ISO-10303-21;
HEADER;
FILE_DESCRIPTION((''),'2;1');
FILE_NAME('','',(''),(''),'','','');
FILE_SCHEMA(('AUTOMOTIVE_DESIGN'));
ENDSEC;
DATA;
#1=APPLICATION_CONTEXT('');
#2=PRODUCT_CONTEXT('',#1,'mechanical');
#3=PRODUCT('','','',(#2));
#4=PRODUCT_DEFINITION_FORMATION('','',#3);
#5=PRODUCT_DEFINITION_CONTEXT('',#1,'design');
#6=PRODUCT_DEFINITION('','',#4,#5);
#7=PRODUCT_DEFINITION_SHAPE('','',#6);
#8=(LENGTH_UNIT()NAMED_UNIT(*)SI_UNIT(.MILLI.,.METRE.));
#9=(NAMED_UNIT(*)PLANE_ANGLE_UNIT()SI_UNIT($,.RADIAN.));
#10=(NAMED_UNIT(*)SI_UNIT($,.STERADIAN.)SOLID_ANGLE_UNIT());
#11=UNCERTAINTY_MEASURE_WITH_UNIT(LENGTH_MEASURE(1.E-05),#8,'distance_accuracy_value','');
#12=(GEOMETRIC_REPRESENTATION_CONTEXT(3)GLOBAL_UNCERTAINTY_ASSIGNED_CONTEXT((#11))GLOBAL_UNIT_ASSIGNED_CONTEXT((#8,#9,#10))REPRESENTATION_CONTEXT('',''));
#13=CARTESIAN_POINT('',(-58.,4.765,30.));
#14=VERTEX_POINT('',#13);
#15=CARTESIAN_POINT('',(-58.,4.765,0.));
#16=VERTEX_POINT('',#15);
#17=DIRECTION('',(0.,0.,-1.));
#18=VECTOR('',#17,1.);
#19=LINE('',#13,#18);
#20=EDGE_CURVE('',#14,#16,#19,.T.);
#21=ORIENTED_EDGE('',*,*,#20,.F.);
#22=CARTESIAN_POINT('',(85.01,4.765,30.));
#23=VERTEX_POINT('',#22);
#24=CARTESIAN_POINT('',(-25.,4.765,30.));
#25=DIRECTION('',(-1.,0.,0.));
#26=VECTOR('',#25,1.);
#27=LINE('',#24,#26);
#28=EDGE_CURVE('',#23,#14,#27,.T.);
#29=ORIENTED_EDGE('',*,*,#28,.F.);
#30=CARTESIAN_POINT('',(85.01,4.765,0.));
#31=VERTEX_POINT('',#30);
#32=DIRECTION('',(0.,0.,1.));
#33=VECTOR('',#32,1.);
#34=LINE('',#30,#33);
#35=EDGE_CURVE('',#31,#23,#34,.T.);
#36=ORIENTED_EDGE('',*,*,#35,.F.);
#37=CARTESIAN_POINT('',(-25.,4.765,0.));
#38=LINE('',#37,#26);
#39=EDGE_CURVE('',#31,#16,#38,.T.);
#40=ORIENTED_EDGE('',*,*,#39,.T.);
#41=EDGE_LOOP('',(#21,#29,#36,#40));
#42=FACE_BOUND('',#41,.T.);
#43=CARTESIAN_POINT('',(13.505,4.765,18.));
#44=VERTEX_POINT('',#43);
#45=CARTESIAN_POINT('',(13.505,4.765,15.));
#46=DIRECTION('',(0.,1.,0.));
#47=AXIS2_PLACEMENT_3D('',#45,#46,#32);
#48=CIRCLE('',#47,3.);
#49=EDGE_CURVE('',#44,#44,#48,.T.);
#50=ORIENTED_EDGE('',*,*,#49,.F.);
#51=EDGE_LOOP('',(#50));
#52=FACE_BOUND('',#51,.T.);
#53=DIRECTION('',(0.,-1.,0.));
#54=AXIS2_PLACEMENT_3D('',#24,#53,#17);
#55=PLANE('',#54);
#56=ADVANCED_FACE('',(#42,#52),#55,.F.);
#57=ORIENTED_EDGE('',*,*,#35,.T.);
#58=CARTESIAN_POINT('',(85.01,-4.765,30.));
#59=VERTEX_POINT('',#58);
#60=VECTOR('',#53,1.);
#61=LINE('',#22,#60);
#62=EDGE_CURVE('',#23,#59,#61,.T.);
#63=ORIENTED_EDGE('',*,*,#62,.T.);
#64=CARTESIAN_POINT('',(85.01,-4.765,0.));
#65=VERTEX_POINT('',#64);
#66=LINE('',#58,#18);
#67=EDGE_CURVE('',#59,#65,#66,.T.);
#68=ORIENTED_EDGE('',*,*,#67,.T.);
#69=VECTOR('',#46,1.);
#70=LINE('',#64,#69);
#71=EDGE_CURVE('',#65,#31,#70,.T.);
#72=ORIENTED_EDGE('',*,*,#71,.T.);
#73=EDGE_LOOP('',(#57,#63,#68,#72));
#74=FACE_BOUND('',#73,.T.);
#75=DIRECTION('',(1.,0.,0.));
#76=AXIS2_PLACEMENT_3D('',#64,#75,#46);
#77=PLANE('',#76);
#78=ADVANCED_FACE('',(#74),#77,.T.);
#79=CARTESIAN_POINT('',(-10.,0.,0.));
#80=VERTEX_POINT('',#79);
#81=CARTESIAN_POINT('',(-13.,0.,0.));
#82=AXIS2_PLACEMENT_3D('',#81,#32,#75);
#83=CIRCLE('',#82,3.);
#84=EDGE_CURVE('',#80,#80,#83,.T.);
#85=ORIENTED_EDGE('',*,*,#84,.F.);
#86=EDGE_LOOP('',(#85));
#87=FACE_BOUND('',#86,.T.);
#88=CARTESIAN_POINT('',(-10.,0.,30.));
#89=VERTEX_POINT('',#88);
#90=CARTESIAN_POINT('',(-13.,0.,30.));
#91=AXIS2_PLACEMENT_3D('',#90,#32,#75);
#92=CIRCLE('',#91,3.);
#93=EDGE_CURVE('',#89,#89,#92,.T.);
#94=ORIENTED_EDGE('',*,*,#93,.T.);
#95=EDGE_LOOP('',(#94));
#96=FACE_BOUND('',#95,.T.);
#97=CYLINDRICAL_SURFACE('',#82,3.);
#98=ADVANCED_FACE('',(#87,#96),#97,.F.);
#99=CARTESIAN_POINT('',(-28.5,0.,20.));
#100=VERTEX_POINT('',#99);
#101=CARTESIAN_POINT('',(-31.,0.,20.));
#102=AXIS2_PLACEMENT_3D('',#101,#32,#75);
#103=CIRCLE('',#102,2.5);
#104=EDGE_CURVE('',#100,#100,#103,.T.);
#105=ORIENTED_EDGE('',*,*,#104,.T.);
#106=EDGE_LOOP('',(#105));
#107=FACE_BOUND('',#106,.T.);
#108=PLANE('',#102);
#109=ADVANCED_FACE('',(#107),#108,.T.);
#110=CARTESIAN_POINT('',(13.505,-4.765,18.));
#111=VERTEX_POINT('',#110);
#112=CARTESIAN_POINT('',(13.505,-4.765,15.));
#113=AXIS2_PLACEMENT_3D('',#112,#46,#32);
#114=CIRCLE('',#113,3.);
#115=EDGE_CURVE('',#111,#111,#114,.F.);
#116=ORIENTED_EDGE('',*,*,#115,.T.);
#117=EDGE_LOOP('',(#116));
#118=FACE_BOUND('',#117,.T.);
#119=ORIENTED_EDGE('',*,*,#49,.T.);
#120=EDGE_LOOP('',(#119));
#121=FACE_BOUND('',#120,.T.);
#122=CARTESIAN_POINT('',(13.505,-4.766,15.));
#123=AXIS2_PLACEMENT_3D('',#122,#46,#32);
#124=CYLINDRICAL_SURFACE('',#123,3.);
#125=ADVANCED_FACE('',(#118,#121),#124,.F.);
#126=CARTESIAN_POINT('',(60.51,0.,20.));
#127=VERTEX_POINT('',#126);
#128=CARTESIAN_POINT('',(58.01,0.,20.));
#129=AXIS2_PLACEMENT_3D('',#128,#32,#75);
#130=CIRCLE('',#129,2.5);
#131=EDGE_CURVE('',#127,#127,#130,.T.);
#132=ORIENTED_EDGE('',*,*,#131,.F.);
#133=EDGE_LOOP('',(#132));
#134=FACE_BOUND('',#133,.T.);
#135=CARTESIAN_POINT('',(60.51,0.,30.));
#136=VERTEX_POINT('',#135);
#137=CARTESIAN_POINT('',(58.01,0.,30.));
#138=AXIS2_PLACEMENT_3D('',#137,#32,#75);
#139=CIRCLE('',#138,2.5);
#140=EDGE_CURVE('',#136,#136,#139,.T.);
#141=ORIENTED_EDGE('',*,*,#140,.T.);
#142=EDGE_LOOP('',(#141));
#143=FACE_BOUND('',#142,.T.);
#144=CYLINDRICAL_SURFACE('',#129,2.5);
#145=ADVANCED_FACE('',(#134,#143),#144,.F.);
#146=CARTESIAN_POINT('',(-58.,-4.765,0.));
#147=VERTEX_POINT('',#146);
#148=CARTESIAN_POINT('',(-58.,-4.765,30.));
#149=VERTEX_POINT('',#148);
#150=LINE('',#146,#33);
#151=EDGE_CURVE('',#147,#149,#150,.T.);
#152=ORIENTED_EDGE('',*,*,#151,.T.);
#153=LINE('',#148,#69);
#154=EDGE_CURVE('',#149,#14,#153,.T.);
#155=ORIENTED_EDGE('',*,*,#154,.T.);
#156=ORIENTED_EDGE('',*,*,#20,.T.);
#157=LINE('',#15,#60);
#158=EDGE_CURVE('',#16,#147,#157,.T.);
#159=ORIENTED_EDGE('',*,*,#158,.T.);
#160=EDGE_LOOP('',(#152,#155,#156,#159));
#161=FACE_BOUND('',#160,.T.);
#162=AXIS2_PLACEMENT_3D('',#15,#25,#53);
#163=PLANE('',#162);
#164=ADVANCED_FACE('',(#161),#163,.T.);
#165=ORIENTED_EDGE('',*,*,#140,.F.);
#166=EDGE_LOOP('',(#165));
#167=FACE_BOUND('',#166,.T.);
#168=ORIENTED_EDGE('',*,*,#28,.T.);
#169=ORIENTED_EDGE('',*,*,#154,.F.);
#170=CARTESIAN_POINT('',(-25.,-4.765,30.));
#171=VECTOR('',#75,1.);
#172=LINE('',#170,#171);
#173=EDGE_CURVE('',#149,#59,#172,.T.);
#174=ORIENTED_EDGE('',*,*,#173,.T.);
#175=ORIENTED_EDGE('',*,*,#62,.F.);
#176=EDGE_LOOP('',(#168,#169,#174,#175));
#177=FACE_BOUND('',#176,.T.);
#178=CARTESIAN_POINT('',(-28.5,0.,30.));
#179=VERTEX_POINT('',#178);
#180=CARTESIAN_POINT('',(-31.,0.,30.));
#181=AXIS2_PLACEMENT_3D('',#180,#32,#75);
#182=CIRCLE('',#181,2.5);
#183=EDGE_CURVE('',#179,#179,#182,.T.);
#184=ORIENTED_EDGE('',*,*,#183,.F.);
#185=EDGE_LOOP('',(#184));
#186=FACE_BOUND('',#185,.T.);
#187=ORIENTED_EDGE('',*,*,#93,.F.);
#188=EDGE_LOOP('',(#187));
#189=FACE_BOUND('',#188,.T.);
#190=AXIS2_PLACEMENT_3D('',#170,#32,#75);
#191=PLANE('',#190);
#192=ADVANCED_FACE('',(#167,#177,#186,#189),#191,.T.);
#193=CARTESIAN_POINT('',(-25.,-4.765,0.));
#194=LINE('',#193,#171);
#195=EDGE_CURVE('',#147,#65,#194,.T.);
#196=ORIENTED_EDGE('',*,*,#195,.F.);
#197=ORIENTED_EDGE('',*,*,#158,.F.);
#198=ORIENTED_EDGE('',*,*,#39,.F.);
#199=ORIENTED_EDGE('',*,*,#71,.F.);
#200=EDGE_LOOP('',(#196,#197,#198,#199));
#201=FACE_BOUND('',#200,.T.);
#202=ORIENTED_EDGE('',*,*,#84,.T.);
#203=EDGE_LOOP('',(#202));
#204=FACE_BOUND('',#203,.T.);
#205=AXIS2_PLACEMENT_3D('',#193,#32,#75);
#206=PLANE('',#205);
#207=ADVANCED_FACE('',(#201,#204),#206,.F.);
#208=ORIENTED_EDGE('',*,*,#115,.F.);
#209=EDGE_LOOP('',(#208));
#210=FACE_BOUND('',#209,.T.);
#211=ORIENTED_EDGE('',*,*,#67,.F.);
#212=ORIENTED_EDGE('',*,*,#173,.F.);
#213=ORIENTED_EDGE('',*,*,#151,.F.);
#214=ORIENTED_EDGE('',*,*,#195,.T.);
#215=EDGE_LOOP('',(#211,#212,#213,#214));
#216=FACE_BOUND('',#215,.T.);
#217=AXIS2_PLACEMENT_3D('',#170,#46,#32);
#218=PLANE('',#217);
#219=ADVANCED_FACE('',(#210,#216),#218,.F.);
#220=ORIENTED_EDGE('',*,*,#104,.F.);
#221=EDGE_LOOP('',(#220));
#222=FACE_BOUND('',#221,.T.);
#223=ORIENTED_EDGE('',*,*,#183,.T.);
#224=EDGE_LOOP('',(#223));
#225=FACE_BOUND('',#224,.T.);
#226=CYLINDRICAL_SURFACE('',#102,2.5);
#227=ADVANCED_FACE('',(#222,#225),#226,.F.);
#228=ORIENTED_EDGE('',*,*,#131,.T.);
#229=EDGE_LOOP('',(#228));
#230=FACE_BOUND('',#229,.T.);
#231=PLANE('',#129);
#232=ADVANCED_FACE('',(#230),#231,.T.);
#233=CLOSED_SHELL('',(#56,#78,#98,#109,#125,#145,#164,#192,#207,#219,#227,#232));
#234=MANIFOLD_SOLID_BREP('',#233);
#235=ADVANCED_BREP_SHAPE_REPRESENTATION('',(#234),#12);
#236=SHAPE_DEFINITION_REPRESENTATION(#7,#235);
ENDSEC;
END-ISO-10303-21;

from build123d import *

# Parameters (mm, degrees)
ESBO_O1_W                = 50
ESBO_O1_H                = 9.53
RESSALTO_EXTRUS_O1_DEPTH = 30
ESBO_O2_R                = 3
CORTE_EXTRUS_O1_DEPTH    = 40.340884904
ESBO_O4_W                = 30
ESBO_O4_H                = 9.53
RESSALTO_EXTRUS_O3_DEPTH = 60.01
ESBO_O5_W                = 30
ESBO_O5_H                = 9.53
RESSALTO_EXTRUS_O4_DEPTH = 33
ESBO_O6_R                = 2.5
CORTE_EXTRUS_O2_DEPTH    = 10
CORTE_EXTRUS_O3_REACH    = 92.651
ESBO_O7_R                = 3


with BuildPart() as part:
    # Esboço1 → Ressalto-extrusão1 (new body)
    with BuildSketch(Plane.XY):
        Rectangle(ESBO_O1_W, ESBO_O1_H)
    extrude(amount=RESSALTO_EXTRUS_O1_DEPTH)

    # Esboço2 → Corte-extrusão1 (cut, through all)
    with BuildSketch(Plane.XY.offset(30)):
        with Locations((-13, 0)):
            Circle(ESBO_O2_R)
    extrude(amount=-CORTE_EXTRUS_O1_DEPTH, mode=Mode.SUBTRACT)

    # Esboço4 → Ressalto-extrusão3 (add)
    with BuildSketch(Plane(origin=(25, 0, 0), x_dir=(0, 0, -1), z_dir=(1, 0, 0))):
        with Locations((-15, 0)):
            Rectangle(ESBO_O4_W, ESBO_O4_H)
    extrude(amount=RESSALTO_EXTRUS_O3_DEPTH)

    # Esboço5 → Ressalto-extrusão4 (add)
    with BuildSketch(Plane.ZY.offset(25)):
        with Locations((15, 0)):
            Rectangle(ESBO_O5_W, ESBO_O5_H)
    extrude(amount=RESSALTO_EXTRUS_O4_DEPTH)

    # Esboço6 → Corte-extrusão2 (cut)
    with BuildSketch(Plane.XY.offset(30)):
        with Locations((-31, 0)):
            Circle(ESBO_O6_R)
        with Locations((58.01, 0)):
            Circle(ESBO_O6_R)
    extrude(amount=-CORTE_EXTRUS_O2_DEPTH, mode=Mode.SUBTRACT)

    # Esboço7 → Corte-extrusão3 (cut, up to next)
    with BuildSketch(Plane(origin=(0, 4.765, 0), x_dir=(1, 0, 0), z_dir=(0, 1, 0)), mode=Mode.PRIVATE) as corte_extrus_o3_sk1:
        with Locations(Location((13.505, -15, 0), (0, 0, 270))):
            Circle(ESBO_O7_R)
    corte_extrus_o3_tool1 = extrude(corte_extrus_o3_sk1.sketch, amount=-CORTE_EXTRUS_O3_REACH, mode=Mode.PRIVATE) & part.part
    add(corte_extrus_o3_tool1.solids().sort_by_distance((13.505, 4.765, 15))[0], mode=Mode.SUBTRACT)


solid = part.part
